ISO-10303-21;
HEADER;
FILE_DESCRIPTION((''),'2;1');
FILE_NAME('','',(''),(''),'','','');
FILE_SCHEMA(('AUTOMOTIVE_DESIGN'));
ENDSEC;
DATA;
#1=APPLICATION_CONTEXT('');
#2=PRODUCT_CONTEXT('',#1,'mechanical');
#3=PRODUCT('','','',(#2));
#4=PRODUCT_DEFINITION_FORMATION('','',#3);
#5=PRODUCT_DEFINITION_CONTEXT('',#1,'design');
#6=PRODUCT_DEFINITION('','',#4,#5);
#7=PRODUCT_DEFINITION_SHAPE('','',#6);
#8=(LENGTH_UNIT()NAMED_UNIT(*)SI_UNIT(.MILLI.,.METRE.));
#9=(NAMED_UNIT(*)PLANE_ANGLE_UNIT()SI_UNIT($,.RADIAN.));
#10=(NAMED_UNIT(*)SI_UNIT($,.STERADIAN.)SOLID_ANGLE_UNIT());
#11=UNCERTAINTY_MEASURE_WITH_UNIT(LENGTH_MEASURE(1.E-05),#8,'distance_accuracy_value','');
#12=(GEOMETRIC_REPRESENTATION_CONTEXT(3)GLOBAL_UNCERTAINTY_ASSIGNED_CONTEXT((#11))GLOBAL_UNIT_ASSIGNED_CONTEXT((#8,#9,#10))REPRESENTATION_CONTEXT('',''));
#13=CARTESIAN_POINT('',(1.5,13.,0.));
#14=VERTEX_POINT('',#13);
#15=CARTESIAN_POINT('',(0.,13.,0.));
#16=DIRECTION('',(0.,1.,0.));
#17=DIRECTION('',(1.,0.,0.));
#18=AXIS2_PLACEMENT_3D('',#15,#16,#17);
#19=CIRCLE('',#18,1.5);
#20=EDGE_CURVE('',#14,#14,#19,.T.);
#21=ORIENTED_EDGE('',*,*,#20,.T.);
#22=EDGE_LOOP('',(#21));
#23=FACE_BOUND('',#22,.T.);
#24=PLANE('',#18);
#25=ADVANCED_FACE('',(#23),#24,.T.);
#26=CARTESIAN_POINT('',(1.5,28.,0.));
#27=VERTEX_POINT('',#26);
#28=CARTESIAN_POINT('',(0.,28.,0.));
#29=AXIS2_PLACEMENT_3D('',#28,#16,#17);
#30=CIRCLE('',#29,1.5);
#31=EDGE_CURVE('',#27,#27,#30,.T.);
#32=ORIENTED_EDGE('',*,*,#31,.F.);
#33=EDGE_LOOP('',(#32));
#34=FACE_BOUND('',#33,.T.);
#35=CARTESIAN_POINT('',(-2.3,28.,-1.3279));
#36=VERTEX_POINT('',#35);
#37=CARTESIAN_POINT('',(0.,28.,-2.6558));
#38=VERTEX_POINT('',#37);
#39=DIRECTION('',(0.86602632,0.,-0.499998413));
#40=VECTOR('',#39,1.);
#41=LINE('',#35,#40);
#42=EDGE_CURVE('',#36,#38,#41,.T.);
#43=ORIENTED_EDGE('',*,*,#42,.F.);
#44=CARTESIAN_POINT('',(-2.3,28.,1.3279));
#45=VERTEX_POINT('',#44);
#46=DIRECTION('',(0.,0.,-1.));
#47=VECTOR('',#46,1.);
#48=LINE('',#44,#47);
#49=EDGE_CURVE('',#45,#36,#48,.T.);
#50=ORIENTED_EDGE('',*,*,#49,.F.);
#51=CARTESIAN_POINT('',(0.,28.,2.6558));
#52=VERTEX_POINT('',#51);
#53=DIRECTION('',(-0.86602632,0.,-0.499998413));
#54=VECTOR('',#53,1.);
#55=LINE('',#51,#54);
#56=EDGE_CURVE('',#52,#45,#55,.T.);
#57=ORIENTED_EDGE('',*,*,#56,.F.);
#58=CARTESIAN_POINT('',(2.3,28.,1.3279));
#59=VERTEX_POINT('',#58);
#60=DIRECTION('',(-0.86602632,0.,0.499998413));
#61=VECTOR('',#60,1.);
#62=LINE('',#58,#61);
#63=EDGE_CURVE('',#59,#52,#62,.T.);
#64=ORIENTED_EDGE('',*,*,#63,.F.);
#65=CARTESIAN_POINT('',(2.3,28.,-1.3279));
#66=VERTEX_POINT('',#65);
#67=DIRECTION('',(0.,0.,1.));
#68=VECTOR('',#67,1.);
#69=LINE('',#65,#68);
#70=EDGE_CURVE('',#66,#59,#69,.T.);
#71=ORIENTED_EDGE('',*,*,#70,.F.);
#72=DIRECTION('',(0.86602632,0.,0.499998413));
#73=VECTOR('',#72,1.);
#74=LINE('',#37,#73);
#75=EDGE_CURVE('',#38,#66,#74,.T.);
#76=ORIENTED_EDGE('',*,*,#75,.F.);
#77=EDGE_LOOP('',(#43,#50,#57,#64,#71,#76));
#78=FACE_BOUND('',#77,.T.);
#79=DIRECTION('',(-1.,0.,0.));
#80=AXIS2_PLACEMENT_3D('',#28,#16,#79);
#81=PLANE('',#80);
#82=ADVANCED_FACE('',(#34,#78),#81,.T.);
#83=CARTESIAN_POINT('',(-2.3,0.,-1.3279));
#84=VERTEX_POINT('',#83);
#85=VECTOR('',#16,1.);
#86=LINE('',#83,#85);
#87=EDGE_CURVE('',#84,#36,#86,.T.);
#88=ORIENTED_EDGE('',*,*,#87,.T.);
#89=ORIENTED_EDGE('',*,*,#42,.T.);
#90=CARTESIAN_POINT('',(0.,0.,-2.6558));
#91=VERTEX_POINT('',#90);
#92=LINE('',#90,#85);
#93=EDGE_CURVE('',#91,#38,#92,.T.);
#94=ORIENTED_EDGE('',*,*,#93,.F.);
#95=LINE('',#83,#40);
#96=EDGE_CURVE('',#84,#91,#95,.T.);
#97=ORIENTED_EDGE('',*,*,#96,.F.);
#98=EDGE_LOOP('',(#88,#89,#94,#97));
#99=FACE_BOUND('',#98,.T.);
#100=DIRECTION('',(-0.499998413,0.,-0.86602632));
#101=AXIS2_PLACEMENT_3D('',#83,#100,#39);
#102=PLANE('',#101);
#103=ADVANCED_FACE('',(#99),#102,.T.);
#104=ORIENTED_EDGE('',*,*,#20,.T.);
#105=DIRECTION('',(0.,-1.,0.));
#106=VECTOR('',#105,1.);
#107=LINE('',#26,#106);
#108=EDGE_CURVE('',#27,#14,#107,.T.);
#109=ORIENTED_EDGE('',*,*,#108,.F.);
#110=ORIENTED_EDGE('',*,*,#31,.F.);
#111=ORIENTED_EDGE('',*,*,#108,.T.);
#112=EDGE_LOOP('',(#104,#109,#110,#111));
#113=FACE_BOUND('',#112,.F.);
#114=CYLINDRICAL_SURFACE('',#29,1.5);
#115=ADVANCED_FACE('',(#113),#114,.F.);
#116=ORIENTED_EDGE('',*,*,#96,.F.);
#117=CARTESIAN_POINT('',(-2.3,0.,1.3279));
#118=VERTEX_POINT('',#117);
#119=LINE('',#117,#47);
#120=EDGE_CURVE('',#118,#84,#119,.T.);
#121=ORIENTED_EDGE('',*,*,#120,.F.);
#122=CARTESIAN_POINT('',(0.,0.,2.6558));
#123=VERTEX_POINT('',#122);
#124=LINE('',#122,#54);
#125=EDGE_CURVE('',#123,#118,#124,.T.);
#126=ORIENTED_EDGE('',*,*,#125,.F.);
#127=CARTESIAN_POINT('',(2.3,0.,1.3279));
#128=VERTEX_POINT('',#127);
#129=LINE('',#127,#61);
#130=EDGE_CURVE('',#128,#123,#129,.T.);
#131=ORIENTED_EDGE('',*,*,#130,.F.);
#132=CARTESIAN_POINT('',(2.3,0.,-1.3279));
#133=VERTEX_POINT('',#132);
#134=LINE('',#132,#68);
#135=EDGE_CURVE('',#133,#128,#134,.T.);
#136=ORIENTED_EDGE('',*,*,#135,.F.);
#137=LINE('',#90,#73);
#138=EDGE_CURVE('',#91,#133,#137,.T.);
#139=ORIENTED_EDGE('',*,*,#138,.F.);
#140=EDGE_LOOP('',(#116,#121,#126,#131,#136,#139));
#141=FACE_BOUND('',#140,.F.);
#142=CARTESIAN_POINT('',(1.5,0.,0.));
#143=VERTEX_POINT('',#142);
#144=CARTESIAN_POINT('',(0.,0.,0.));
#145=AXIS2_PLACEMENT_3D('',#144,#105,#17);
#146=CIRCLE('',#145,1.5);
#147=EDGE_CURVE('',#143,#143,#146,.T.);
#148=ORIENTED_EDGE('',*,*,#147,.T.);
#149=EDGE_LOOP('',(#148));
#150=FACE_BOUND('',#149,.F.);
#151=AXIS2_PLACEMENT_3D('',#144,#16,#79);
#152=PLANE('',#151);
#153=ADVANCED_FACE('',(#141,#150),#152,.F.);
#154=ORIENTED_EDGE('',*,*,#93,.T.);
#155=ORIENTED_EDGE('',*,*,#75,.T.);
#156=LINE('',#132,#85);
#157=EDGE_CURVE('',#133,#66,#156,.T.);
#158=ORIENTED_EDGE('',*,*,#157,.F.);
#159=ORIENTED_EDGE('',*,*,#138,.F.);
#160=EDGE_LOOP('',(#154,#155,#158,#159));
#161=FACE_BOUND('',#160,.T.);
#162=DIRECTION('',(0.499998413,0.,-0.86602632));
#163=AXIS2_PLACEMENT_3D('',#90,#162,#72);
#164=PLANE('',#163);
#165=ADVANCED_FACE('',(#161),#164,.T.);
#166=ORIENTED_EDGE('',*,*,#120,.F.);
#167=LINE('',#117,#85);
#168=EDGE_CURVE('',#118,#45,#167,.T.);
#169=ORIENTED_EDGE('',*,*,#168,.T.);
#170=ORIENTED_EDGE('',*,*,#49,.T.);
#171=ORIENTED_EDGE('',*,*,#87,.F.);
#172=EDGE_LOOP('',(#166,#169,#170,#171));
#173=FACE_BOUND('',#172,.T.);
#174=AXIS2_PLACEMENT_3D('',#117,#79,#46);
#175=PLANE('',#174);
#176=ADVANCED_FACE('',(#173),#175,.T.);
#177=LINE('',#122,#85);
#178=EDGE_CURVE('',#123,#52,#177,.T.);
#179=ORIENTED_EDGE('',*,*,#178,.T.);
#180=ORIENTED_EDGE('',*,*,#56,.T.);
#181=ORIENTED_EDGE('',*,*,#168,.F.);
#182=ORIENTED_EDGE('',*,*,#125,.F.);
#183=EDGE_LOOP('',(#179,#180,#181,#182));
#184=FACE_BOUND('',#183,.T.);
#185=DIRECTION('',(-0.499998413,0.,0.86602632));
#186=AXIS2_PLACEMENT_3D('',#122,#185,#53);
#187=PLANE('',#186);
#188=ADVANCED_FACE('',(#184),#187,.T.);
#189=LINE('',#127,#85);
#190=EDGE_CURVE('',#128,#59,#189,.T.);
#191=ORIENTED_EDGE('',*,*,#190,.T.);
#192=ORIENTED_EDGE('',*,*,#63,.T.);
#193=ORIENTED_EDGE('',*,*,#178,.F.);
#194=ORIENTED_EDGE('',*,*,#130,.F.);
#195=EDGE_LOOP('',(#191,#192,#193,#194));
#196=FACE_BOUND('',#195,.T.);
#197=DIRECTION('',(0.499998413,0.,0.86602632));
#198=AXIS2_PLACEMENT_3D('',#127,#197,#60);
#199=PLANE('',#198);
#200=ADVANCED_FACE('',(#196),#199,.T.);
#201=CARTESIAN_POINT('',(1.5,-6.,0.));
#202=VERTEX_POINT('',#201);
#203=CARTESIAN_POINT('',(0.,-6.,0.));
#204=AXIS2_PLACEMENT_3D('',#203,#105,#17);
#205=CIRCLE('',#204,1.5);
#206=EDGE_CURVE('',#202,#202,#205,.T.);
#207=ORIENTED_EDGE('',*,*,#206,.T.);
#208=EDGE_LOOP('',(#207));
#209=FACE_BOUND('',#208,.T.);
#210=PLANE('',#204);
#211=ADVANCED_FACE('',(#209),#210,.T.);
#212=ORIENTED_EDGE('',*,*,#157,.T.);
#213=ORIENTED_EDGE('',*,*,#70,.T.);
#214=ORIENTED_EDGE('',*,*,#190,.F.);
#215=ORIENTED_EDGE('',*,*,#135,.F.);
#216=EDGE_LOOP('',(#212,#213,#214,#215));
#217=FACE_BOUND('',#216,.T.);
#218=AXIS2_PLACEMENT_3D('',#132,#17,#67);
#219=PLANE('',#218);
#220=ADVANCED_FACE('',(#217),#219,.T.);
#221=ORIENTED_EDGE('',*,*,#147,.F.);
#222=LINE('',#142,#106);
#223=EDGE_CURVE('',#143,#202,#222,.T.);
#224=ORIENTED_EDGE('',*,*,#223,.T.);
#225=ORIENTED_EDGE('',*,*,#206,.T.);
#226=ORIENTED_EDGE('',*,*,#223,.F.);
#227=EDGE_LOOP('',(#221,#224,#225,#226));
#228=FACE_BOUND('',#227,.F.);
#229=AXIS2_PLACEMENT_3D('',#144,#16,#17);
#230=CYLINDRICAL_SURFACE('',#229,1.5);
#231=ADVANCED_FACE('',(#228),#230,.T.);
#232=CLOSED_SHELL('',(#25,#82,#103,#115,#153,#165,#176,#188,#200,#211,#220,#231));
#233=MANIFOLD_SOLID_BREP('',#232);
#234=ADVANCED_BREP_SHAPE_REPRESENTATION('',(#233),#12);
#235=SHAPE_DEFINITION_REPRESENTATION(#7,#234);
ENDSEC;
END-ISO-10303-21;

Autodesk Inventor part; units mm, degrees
ref_plane "YZ Plane" through (0, 0, 0) normal (1, 0, 0) x (0, 1, 0)
ref_plane "XZ Plane" through (0, 0, 0) normal (0, 1, 0) x (-1, 0, 0)
ref_plane "XY Plane" through (0, 0, 0) normal (0, 0, 1) x (1, 0, 0)
sketch "Sketch1" plane through (0, 0, 0) normal (0, 1, 0) x (-1, 0, 0)
  line L0 (0, -2.6558) -> (-2.3, -1.3279)
  line L1 (-2.3, -1.3279) -> (-2.3, 1.3279)
  line L2 (-2.3, 1.3279) -> (0, 2.6558)
  line L3 (0, 2.6558) -> (2.3, 1.3279)
  line L4 (2.3, 1.3279) -> (2.3, -1.3279)
  line L5 (2.3, -1.3279) -> (0, -2.6558)
  point P0 (0, 0)
  point P1 (0, 0)
  dimension "d0" = 4.6
extrude "Extrusion1" add sketch "Sketch1" along normal blind 28
sketch "Sketch2" plane through (0, 28, 0) normal (0, 1, 0) x (1, 0, 0)
  circle A0 centre (0, 0) radius 1.5
  dimension "d3" = 3
extrude "Extrusion2" cut sketch "Sketch2" against normal blind 15
sketch "Sketch3" plane through (0, 0, 0) normal (0, -1, 0) x (1, 0, 0)
  circle A0 centre (0, 0) radius 1.5
  dimension "d6" = 3
extrude "Extrusion3" add sketch "Sketch3" along normal blind 6
properties part number "M3_28_MM_STANDOFF_PIN"
